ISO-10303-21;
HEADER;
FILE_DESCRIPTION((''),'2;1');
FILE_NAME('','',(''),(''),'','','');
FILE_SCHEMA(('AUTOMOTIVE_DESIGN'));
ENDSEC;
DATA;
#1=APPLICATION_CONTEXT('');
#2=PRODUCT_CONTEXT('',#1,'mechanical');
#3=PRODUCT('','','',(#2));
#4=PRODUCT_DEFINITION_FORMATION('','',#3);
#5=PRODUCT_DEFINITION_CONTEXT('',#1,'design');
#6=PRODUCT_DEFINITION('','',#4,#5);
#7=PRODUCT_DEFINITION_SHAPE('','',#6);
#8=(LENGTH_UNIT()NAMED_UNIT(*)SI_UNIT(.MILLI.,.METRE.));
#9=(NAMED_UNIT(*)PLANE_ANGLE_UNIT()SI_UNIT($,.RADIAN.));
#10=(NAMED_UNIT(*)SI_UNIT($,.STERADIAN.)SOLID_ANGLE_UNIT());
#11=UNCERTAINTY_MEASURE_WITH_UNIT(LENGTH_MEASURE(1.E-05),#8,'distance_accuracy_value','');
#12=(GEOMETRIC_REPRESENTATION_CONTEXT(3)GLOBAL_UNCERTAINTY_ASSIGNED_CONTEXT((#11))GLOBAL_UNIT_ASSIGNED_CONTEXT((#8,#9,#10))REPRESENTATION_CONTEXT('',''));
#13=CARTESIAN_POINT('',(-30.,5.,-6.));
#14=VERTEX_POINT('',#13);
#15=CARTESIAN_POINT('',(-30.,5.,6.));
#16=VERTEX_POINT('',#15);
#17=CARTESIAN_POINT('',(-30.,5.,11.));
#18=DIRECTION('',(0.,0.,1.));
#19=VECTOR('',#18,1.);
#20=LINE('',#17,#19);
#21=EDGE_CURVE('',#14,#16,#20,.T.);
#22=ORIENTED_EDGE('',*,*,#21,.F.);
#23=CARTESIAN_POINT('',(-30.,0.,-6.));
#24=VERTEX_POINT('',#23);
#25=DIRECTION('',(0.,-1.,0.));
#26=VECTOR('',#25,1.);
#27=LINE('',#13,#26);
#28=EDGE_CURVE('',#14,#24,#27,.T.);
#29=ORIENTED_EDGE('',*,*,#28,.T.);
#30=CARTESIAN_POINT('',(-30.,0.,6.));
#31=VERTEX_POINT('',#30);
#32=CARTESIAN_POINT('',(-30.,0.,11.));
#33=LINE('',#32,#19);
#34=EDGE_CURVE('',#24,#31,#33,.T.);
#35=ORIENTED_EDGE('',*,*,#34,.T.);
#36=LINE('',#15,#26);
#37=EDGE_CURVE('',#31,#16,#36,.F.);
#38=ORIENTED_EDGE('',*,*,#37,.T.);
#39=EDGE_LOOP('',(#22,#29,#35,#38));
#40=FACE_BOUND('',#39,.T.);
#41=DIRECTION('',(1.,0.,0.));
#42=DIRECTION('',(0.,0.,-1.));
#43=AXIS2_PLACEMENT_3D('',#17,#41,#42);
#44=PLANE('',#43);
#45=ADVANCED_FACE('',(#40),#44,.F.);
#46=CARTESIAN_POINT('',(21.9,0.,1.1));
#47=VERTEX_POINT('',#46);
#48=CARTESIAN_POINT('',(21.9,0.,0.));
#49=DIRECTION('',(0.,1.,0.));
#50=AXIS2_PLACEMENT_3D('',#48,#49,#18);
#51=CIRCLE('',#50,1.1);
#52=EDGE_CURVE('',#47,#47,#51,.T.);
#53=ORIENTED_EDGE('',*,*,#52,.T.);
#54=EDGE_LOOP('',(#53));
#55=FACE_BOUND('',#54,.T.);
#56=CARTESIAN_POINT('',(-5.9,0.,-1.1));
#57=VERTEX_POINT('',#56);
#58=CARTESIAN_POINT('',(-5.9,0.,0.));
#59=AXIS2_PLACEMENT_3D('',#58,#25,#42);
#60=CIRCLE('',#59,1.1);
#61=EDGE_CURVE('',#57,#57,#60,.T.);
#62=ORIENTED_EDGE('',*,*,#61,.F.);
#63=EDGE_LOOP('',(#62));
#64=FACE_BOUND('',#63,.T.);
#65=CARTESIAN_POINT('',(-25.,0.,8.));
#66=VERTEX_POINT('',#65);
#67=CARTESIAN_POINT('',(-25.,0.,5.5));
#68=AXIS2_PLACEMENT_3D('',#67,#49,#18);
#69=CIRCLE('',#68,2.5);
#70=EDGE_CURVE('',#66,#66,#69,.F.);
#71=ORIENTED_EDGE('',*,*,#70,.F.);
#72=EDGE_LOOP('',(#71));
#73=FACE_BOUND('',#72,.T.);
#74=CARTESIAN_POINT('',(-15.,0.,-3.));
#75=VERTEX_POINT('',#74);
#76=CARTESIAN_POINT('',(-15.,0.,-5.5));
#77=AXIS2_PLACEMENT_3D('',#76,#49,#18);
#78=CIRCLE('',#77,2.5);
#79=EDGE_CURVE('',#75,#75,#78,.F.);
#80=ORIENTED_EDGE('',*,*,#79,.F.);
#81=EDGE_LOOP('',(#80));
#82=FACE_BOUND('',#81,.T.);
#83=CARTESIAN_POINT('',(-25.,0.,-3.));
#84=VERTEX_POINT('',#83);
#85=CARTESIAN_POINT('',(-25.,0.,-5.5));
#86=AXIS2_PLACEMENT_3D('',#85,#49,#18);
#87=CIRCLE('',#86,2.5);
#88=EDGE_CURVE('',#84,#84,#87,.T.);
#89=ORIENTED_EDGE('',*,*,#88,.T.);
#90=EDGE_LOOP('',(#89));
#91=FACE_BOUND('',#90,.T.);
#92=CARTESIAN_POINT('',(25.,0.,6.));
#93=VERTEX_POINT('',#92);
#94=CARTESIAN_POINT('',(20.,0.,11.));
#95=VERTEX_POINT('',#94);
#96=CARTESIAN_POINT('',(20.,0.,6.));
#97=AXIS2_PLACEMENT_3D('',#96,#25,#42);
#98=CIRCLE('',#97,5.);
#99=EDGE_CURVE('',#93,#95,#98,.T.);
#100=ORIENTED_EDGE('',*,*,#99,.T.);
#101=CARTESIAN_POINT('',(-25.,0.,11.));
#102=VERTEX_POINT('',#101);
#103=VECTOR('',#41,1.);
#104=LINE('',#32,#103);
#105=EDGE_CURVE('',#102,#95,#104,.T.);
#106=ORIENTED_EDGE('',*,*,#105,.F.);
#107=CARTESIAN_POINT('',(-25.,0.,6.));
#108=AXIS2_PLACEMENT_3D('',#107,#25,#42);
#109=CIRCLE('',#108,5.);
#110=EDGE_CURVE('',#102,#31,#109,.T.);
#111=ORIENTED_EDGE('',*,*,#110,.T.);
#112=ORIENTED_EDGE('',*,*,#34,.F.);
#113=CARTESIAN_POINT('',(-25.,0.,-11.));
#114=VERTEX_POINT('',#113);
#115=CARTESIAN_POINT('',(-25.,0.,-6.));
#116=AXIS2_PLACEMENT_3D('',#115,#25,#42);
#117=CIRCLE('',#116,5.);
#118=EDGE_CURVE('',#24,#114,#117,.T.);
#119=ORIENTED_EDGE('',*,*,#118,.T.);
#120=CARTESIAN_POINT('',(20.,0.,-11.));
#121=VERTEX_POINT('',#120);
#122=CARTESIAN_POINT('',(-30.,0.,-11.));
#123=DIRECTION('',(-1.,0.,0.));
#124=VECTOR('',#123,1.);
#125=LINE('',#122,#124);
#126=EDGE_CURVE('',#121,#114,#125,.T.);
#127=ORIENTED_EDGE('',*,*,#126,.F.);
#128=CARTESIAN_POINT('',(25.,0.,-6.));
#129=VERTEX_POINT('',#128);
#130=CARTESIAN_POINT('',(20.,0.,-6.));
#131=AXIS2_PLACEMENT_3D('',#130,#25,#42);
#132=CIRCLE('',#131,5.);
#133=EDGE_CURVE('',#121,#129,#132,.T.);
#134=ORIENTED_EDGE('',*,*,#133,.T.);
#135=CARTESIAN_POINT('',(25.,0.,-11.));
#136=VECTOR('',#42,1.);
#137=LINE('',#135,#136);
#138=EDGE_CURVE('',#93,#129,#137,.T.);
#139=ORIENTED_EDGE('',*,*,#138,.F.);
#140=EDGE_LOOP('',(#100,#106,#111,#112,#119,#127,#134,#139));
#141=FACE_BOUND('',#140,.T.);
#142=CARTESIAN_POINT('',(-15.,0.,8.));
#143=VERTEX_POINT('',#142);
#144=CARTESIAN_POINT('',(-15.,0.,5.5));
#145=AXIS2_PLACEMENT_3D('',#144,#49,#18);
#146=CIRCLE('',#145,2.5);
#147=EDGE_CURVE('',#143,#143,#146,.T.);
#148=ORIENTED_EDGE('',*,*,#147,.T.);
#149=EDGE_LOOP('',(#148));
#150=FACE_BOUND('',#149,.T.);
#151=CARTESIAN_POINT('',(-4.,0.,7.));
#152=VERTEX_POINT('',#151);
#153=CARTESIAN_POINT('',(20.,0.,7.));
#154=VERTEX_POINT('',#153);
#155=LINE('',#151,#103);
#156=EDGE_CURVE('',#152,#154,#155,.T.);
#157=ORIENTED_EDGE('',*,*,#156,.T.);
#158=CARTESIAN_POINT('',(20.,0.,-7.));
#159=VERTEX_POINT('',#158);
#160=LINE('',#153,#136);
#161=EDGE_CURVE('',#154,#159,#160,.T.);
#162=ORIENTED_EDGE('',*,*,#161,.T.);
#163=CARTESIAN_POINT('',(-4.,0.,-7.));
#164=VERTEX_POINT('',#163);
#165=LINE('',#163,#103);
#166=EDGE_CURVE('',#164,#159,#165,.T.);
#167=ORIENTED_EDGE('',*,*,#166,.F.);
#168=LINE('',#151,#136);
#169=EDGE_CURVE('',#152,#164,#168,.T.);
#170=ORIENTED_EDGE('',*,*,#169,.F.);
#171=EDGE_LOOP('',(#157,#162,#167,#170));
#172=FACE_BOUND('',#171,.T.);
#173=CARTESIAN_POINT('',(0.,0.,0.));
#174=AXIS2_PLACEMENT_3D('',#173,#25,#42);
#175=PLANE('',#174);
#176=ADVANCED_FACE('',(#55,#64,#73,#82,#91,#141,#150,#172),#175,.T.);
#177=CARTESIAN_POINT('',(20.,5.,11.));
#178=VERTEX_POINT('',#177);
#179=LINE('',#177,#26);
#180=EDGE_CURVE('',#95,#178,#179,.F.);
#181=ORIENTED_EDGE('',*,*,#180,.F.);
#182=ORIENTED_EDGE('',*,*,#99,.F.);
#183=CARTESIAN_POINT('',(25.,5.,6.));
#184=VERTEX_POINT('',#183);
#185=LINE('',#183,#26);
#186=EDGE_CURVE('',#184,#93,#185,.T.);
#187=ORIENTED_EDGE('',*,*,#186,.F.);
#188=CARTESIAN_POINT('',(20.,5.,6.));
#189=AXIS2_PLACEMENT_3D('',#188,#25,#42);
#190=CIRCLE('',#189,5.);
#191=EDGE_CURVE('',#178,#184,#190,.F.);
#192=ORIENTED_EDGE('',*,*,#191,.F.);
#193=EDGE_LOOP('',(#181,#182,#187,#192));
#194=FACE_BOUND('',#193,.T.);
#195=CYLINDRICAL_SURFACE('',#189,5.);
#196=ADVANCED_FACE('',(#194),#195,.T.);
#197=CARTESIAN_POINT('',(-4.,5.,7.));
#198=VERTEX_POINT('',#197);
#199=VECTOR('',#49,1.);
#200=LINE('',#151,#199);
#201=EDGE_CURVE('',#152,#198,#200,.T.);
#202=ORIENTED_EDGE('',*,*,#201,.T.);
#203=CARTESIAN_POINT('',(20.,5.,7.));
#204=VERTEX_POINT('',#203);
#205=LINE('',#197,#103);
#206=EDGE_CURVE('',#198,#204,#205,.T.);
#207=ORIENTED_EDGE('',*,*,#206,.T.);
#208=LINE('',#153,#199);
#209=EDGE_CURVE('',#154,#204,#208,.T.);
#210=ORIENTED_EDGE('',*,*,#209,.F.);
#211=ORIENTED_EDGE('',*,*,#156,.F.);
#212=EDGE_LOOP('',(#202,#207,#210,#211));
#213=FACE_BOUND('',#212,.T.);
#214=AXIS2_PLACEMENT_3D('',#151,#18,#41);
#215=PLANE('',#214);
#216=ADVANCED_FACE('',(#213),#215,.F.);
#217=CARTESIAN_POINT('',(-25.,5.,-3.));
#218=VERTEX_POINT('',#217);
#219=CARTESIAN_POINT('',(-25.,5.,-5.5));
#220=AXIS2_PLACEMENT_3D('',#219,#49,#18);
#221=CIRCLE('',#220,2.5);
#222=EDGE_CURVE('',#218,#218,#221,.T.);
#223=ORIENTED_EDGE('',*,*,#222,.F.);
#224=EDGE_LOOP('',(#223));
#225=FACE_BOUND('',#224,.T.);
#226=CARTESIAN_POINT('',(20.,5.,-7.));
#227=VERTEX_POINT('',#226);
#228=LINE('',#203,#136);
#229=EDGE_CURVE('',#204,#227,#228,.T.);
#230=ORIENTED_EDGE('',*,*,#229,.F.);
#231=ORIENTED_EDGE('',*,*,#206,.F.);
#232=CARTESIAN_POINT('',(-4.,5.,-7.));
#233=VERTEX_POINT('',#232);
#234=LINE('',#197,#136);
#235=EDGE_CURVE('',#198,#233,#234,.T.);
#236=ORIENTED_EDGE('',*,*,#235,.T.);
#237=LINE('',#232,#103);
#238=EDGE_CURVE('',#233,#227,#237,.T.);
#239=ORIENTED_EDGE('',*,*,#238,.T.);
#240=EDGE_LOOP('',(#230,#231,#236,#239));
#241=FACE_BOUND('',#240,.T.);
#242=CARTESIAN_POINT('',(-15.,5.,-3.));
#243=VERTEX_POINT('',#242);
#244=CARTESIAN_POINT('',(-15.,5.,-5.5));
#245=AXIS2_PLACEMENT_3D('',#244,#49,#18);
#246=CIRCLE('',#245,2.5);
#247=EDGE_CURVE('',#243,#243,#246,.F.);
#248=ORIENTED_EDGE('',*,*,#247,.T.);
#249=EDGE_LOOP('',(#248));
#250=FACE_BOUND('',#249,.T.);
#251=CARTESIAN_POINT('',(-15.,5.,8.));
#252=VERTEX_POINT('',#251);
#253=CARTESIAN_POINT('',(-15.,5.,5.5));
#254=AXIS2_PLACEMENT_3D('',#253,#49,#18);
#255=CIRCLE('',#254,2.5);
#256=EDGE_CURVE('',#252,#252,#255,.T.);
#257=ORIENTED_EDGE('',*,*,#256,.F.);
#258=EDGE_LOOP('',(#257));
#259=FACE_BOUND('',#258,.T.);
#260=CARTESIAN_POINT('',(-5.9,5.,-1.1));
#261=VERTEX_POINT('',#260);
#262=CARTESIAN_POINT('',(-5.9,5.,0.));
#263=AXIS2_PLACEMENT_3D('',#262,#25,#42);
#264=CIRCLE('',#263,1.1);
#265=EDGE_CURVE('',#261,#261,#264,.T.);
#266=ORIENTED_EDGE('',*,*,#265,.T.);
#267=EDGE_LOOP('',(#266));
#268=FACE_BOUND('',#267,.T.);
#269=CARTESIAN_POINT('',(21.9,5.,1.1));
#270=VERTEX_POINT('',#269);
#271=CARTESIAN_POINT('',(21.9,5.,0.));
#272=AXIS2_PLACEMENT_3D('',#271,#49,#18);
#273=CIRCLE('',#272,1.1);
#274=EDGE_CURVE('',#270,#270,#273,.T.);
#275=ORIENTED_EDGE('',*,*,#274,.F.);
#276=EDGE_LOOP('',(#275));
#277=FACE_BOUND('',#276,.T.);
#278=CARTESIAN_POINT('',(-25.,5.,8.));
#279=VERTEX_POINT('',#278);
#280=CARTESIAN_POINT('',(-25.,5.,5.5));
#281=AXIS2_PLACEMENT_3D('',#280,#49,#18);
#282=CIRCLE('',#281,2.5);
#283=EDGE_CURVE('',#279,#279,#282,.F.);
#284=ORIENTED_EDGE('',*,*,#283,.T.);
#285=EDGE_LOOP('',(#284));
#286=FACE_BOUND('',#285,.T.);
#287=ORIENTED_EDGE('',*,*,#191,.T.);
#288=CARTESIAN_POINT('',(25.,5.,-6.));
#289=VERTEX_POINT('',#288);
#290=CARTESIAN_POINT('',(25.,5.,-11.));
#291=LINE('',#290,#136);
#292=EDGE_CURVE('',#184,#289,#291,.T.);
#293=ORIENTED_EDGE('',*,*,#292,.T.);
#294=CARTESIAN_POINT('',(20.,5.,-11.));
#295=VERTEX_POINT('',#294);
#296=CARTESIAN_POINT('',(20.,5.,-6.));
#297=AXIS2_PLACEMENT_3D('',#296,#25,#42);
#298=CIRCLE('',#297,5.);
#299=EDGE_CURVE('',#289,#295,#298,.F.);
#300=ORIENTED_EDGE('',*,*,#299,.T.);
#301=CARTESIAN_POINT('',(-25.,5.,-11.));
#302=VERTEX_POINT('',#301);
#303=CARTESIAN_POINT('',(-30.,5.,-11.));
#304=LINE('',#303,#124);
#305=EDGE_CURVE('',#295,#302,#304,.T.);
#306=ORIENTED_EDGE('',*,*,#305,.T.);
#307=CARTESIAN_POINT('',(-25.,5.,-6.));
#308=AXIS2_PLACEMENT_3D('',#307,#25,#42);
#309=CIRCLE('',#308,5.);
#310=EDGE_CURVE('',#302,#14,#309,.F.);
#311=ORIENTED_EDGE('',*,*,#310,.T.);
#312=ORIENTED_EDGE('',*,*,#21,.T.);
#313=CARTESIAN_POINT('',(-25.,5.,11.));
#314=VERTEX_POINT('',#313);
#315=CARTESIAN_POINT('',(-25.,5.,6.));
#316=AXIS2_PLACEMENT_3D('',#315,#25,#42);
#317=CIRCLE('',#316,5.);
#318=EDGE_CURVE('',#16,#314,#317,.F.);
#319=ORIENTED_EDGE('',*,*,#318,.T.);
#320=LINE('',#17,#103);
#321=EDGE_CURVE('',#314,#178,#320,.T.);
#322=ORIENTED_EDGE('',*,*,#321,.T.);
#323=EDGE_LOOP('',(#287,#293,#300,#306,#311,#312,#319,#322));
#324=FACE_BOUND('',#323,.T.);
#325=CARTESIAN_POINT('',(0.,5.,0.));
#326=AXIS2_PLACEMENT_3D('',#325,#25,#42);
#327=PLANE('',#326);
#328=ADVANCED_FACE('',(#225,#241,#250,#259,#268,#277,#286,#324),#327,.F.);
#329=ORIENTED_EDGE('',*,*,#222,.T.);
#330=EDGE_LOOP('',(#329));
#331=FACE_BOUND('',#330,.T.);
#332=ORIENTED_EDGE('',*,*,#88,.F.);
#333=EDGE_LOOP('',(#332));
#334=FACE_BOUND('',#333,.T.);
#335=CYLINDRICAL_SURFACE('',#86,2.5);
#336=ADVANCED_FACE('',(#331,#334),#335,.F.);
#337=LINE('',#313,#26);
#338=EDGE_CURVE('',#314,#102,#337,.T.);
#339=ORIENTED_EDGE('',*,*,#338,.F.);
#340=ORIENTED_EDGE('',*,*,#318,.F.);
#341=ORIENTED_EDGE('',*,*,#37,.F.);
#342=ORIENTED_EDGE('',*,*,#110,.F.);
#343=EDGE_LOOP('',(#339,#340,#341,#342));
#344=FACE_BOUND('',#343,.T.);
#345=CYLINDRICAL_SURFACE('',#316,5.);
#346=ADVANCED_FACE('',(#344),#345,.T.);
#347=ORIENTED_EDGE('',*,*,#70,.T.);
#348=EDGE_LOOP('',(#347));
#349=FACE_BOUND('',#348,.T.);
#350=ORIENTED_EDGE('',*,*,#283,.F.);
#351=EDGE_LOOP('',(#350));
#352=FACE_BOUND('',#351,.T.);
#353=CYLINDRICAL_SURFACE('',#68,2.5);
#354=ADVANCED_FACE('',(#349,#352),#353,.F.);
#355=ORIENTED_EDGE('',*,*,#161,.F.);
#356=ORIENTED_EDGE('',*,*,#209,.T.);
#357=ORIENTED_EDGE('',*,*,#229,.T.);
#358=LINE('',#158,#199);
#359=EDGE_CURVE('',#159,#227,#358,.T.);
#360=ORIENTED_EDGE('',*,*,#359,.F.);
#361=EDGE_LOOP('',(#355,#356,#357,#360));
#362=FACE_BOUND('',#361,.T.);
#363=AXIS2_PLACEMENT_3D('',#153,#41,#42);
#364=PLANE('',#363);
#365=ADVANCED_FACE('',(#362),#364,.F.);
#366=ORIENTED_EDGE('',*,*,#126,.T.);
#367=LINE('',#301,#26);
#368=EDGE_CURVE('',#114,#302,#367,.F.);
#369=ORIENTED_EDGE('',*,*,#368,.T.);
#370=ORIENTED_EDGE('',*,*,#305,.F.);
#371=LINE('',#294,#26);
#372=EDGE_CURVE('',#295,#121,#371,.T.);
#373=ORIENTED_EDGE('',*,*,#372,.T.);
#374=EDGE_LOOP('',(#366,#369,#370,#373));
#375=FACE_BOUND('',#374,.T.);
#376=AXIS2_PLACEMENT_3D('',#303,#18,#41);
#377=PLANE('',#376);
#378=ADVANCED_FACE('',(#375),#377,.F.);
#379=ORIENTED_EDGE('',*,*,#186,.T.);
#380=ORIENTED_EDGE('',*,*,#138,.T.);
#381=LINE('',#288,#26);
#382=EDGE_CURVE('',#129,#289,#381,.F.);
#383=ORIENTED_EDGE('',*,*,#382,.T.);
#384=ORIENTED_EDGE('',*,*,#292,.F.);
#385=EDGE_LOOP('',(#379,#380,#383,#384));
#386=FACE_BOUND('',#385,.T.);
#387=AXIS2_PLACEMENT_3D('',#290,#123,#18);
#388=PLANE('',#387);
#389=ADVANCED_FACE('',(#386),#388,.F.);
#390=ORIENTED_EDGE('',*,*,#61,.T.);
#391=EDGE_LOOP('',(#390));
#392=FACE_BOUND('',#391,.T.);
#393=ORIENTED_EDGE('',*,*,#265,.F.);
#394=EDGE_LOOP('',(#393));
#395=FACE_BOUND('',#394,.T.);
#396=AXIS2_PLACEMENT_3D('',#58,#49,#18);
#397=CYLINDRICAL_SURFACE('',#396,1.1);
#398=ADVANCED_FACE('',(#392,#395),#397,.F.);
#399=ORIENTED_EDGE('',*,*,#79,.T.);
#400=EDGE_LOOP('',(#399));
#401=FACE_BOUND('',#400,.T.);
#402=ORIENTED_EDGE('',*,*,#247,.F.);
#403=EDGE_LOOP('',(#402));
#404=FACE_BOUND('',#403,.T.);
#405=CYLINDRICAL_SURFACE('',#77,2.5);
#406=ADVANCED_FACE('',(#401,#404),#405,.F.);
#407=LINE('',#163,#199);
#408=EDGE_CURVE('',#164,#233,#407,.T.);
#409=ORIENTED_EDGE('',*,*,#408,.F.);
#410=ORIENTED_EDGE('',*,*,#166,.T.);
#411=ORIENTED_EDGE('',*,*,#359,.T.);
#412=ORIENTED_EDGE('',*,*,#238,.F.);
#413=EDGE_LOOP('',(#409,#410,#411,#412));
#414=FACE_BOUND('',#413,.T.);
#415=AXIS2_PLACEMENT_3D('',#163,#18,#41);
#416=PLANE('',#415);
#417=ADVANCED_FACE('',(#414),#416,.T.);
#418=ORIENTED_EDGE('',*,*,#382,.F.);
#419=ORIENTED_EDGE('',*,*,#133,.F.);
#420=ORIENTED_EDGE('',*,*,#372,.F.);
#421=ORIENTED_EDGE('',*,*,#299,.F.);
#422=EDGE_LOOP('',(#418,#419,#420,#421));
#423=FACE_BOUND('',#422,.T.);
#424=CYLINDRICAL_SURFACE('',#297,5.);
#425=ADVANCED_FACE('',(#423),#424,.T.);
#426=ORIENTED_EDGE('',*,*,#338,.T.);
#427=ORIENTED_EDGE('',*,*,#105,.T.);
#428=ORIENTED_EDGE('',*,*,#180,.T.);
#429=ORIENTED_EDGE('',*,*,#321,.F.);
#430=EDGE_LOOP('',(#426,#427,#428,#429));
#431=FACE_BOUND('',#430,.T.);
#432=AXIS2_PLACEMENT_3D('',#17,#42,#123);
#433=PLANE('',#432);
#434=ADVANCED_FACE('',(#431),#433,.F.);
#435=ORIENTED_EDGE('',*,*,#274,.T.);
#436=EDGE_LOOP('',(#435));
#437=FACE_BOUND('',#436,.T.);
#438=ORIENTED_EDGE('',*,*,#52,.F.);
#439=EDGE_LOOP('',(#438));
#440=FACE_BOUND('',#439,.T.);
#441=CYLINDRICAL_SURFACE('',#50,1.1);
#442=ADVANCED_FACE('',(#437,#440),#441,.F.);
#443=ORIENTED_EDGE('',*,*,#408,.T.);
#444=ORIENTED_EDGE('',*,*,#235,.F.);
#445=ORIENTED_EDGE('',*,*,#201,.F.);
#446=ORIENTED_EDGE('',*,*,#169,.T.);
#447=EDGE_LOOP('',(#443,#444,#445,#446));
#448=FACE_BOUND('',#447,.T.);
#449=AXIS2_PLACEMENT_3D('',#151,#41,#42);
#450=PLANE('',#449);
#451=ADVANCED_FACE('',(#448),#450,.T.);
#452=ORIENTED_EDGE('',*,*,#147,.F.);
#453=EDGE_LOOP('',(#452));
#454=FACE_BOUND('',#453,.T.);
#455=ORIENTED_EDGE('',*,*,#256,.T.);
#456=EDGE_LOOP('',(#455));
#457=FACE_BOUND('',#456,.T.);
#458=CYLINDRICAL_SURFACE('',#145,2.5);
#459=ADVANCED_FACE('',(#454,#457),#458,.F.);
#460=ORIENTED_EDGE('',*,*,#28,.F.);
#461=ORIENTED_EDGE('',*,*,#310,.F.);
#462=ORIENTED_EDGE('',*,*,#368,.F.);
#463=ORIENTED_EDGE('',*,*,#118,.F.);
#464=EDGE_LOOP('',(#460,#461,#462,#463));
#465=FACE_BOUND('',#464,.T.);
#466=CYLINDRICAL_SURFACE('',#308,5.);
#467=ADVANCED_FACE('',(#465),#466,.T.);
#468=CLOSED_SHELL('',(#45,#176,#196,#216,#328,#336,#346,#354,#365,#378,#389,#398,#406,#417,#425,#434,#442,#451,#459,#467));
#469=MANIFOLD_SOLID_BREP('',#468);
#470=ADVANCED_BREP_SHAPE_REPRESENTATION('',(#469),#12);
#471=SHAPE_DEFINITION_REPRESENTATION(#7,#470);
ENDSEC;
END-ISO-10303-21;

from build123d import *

# Parameters (mm, degrees)
SKETCH1_W           = 55
SKETCH1_H           = 22
BOSS_EXTRUDE1_DEPTH = 5
SKETCH2_R           = 2.5
CUT_EXTRUDE1_DEPTH  = 5
FILLET1_R           = 5
SKETCH4_R           = 1.1
SKETCH4_W           = 24
SKETCH4_H           = 14
CUT_EXTRUDE2_DEPTH  = 5


with BuildPart() as part:
    # Sketch1 → Boss-Extrude1 (new body)
    with BuildSketch(Plane(origin=(0, 0, 0), x_dir=(1, 0, 0), z_dir=(0, 1, 0))):
        with Locations((-2.5, 0)):
            Rectangle(SKETCH1_W, SKETCH1_H)
    extrude(amount=BOSS_EXTRUDE1_DEPTH)

    # Sketch2 → Cut-Extrude1 (cut)
    with BuildSketch(Plane(origin=(0, 5, 0), x_dir=(1, 0, 0), z_dir=(0, 1, 0))):
        with Locations(Location((-25, 5.5, 0), (0, 0, 270))):
            Circle(SKETCH2_R)
        with Locations(Location((-15, 5.5, 0), (0, 0, 270))):
            Circle(SKETCH2_R)
        with Locations(Location((-25, -5.5, 0), (0, 0, 270))):
            Circle(SKETCH2_R)
        with Locations(Location((-15, -5.5, 0), (0, 0, 270))):
            Circle(SKETCH2_R)
    extrude(amount=-CUT_EXTRUDE1_DEPTH, mode=Mode.SUBTRACT)

    # Fillet1
    fillet1_edges = [part.edges().sort_by_distance(p)[0] for p in [
        (-30, 2.5, -11),
        (25, 2.5, -11),
        (25, 2.5, 11),
        (-30, 2.5, 11),
    ]]
    fillet(fillet1_edges, radius=FILLET1_R)

    # Sketch4 → Cut-Extrude2 (cut)
    with BuildSketch(Plane(origin=(0, 5, 0), x_dir=(1, 0, 0), z_dir=(0, 1, 0))):
        with Locations(Location((21.9, 0, 0), (0, 0, 270))):
            Circle(SKETCH4_R)
        with Locations(Location((-5.9, 0, 0), (0, 0, 90))):
            Circle(SKETCH4_R)
        with Locations((8, 0)):
            Rectangle(SKETCH4_W, SKETCH4_H)
    extrude(amount=-CUT_EXTRUDE2_DEPTH, mode=Mode.SUBTRACT)


solid = part.part
